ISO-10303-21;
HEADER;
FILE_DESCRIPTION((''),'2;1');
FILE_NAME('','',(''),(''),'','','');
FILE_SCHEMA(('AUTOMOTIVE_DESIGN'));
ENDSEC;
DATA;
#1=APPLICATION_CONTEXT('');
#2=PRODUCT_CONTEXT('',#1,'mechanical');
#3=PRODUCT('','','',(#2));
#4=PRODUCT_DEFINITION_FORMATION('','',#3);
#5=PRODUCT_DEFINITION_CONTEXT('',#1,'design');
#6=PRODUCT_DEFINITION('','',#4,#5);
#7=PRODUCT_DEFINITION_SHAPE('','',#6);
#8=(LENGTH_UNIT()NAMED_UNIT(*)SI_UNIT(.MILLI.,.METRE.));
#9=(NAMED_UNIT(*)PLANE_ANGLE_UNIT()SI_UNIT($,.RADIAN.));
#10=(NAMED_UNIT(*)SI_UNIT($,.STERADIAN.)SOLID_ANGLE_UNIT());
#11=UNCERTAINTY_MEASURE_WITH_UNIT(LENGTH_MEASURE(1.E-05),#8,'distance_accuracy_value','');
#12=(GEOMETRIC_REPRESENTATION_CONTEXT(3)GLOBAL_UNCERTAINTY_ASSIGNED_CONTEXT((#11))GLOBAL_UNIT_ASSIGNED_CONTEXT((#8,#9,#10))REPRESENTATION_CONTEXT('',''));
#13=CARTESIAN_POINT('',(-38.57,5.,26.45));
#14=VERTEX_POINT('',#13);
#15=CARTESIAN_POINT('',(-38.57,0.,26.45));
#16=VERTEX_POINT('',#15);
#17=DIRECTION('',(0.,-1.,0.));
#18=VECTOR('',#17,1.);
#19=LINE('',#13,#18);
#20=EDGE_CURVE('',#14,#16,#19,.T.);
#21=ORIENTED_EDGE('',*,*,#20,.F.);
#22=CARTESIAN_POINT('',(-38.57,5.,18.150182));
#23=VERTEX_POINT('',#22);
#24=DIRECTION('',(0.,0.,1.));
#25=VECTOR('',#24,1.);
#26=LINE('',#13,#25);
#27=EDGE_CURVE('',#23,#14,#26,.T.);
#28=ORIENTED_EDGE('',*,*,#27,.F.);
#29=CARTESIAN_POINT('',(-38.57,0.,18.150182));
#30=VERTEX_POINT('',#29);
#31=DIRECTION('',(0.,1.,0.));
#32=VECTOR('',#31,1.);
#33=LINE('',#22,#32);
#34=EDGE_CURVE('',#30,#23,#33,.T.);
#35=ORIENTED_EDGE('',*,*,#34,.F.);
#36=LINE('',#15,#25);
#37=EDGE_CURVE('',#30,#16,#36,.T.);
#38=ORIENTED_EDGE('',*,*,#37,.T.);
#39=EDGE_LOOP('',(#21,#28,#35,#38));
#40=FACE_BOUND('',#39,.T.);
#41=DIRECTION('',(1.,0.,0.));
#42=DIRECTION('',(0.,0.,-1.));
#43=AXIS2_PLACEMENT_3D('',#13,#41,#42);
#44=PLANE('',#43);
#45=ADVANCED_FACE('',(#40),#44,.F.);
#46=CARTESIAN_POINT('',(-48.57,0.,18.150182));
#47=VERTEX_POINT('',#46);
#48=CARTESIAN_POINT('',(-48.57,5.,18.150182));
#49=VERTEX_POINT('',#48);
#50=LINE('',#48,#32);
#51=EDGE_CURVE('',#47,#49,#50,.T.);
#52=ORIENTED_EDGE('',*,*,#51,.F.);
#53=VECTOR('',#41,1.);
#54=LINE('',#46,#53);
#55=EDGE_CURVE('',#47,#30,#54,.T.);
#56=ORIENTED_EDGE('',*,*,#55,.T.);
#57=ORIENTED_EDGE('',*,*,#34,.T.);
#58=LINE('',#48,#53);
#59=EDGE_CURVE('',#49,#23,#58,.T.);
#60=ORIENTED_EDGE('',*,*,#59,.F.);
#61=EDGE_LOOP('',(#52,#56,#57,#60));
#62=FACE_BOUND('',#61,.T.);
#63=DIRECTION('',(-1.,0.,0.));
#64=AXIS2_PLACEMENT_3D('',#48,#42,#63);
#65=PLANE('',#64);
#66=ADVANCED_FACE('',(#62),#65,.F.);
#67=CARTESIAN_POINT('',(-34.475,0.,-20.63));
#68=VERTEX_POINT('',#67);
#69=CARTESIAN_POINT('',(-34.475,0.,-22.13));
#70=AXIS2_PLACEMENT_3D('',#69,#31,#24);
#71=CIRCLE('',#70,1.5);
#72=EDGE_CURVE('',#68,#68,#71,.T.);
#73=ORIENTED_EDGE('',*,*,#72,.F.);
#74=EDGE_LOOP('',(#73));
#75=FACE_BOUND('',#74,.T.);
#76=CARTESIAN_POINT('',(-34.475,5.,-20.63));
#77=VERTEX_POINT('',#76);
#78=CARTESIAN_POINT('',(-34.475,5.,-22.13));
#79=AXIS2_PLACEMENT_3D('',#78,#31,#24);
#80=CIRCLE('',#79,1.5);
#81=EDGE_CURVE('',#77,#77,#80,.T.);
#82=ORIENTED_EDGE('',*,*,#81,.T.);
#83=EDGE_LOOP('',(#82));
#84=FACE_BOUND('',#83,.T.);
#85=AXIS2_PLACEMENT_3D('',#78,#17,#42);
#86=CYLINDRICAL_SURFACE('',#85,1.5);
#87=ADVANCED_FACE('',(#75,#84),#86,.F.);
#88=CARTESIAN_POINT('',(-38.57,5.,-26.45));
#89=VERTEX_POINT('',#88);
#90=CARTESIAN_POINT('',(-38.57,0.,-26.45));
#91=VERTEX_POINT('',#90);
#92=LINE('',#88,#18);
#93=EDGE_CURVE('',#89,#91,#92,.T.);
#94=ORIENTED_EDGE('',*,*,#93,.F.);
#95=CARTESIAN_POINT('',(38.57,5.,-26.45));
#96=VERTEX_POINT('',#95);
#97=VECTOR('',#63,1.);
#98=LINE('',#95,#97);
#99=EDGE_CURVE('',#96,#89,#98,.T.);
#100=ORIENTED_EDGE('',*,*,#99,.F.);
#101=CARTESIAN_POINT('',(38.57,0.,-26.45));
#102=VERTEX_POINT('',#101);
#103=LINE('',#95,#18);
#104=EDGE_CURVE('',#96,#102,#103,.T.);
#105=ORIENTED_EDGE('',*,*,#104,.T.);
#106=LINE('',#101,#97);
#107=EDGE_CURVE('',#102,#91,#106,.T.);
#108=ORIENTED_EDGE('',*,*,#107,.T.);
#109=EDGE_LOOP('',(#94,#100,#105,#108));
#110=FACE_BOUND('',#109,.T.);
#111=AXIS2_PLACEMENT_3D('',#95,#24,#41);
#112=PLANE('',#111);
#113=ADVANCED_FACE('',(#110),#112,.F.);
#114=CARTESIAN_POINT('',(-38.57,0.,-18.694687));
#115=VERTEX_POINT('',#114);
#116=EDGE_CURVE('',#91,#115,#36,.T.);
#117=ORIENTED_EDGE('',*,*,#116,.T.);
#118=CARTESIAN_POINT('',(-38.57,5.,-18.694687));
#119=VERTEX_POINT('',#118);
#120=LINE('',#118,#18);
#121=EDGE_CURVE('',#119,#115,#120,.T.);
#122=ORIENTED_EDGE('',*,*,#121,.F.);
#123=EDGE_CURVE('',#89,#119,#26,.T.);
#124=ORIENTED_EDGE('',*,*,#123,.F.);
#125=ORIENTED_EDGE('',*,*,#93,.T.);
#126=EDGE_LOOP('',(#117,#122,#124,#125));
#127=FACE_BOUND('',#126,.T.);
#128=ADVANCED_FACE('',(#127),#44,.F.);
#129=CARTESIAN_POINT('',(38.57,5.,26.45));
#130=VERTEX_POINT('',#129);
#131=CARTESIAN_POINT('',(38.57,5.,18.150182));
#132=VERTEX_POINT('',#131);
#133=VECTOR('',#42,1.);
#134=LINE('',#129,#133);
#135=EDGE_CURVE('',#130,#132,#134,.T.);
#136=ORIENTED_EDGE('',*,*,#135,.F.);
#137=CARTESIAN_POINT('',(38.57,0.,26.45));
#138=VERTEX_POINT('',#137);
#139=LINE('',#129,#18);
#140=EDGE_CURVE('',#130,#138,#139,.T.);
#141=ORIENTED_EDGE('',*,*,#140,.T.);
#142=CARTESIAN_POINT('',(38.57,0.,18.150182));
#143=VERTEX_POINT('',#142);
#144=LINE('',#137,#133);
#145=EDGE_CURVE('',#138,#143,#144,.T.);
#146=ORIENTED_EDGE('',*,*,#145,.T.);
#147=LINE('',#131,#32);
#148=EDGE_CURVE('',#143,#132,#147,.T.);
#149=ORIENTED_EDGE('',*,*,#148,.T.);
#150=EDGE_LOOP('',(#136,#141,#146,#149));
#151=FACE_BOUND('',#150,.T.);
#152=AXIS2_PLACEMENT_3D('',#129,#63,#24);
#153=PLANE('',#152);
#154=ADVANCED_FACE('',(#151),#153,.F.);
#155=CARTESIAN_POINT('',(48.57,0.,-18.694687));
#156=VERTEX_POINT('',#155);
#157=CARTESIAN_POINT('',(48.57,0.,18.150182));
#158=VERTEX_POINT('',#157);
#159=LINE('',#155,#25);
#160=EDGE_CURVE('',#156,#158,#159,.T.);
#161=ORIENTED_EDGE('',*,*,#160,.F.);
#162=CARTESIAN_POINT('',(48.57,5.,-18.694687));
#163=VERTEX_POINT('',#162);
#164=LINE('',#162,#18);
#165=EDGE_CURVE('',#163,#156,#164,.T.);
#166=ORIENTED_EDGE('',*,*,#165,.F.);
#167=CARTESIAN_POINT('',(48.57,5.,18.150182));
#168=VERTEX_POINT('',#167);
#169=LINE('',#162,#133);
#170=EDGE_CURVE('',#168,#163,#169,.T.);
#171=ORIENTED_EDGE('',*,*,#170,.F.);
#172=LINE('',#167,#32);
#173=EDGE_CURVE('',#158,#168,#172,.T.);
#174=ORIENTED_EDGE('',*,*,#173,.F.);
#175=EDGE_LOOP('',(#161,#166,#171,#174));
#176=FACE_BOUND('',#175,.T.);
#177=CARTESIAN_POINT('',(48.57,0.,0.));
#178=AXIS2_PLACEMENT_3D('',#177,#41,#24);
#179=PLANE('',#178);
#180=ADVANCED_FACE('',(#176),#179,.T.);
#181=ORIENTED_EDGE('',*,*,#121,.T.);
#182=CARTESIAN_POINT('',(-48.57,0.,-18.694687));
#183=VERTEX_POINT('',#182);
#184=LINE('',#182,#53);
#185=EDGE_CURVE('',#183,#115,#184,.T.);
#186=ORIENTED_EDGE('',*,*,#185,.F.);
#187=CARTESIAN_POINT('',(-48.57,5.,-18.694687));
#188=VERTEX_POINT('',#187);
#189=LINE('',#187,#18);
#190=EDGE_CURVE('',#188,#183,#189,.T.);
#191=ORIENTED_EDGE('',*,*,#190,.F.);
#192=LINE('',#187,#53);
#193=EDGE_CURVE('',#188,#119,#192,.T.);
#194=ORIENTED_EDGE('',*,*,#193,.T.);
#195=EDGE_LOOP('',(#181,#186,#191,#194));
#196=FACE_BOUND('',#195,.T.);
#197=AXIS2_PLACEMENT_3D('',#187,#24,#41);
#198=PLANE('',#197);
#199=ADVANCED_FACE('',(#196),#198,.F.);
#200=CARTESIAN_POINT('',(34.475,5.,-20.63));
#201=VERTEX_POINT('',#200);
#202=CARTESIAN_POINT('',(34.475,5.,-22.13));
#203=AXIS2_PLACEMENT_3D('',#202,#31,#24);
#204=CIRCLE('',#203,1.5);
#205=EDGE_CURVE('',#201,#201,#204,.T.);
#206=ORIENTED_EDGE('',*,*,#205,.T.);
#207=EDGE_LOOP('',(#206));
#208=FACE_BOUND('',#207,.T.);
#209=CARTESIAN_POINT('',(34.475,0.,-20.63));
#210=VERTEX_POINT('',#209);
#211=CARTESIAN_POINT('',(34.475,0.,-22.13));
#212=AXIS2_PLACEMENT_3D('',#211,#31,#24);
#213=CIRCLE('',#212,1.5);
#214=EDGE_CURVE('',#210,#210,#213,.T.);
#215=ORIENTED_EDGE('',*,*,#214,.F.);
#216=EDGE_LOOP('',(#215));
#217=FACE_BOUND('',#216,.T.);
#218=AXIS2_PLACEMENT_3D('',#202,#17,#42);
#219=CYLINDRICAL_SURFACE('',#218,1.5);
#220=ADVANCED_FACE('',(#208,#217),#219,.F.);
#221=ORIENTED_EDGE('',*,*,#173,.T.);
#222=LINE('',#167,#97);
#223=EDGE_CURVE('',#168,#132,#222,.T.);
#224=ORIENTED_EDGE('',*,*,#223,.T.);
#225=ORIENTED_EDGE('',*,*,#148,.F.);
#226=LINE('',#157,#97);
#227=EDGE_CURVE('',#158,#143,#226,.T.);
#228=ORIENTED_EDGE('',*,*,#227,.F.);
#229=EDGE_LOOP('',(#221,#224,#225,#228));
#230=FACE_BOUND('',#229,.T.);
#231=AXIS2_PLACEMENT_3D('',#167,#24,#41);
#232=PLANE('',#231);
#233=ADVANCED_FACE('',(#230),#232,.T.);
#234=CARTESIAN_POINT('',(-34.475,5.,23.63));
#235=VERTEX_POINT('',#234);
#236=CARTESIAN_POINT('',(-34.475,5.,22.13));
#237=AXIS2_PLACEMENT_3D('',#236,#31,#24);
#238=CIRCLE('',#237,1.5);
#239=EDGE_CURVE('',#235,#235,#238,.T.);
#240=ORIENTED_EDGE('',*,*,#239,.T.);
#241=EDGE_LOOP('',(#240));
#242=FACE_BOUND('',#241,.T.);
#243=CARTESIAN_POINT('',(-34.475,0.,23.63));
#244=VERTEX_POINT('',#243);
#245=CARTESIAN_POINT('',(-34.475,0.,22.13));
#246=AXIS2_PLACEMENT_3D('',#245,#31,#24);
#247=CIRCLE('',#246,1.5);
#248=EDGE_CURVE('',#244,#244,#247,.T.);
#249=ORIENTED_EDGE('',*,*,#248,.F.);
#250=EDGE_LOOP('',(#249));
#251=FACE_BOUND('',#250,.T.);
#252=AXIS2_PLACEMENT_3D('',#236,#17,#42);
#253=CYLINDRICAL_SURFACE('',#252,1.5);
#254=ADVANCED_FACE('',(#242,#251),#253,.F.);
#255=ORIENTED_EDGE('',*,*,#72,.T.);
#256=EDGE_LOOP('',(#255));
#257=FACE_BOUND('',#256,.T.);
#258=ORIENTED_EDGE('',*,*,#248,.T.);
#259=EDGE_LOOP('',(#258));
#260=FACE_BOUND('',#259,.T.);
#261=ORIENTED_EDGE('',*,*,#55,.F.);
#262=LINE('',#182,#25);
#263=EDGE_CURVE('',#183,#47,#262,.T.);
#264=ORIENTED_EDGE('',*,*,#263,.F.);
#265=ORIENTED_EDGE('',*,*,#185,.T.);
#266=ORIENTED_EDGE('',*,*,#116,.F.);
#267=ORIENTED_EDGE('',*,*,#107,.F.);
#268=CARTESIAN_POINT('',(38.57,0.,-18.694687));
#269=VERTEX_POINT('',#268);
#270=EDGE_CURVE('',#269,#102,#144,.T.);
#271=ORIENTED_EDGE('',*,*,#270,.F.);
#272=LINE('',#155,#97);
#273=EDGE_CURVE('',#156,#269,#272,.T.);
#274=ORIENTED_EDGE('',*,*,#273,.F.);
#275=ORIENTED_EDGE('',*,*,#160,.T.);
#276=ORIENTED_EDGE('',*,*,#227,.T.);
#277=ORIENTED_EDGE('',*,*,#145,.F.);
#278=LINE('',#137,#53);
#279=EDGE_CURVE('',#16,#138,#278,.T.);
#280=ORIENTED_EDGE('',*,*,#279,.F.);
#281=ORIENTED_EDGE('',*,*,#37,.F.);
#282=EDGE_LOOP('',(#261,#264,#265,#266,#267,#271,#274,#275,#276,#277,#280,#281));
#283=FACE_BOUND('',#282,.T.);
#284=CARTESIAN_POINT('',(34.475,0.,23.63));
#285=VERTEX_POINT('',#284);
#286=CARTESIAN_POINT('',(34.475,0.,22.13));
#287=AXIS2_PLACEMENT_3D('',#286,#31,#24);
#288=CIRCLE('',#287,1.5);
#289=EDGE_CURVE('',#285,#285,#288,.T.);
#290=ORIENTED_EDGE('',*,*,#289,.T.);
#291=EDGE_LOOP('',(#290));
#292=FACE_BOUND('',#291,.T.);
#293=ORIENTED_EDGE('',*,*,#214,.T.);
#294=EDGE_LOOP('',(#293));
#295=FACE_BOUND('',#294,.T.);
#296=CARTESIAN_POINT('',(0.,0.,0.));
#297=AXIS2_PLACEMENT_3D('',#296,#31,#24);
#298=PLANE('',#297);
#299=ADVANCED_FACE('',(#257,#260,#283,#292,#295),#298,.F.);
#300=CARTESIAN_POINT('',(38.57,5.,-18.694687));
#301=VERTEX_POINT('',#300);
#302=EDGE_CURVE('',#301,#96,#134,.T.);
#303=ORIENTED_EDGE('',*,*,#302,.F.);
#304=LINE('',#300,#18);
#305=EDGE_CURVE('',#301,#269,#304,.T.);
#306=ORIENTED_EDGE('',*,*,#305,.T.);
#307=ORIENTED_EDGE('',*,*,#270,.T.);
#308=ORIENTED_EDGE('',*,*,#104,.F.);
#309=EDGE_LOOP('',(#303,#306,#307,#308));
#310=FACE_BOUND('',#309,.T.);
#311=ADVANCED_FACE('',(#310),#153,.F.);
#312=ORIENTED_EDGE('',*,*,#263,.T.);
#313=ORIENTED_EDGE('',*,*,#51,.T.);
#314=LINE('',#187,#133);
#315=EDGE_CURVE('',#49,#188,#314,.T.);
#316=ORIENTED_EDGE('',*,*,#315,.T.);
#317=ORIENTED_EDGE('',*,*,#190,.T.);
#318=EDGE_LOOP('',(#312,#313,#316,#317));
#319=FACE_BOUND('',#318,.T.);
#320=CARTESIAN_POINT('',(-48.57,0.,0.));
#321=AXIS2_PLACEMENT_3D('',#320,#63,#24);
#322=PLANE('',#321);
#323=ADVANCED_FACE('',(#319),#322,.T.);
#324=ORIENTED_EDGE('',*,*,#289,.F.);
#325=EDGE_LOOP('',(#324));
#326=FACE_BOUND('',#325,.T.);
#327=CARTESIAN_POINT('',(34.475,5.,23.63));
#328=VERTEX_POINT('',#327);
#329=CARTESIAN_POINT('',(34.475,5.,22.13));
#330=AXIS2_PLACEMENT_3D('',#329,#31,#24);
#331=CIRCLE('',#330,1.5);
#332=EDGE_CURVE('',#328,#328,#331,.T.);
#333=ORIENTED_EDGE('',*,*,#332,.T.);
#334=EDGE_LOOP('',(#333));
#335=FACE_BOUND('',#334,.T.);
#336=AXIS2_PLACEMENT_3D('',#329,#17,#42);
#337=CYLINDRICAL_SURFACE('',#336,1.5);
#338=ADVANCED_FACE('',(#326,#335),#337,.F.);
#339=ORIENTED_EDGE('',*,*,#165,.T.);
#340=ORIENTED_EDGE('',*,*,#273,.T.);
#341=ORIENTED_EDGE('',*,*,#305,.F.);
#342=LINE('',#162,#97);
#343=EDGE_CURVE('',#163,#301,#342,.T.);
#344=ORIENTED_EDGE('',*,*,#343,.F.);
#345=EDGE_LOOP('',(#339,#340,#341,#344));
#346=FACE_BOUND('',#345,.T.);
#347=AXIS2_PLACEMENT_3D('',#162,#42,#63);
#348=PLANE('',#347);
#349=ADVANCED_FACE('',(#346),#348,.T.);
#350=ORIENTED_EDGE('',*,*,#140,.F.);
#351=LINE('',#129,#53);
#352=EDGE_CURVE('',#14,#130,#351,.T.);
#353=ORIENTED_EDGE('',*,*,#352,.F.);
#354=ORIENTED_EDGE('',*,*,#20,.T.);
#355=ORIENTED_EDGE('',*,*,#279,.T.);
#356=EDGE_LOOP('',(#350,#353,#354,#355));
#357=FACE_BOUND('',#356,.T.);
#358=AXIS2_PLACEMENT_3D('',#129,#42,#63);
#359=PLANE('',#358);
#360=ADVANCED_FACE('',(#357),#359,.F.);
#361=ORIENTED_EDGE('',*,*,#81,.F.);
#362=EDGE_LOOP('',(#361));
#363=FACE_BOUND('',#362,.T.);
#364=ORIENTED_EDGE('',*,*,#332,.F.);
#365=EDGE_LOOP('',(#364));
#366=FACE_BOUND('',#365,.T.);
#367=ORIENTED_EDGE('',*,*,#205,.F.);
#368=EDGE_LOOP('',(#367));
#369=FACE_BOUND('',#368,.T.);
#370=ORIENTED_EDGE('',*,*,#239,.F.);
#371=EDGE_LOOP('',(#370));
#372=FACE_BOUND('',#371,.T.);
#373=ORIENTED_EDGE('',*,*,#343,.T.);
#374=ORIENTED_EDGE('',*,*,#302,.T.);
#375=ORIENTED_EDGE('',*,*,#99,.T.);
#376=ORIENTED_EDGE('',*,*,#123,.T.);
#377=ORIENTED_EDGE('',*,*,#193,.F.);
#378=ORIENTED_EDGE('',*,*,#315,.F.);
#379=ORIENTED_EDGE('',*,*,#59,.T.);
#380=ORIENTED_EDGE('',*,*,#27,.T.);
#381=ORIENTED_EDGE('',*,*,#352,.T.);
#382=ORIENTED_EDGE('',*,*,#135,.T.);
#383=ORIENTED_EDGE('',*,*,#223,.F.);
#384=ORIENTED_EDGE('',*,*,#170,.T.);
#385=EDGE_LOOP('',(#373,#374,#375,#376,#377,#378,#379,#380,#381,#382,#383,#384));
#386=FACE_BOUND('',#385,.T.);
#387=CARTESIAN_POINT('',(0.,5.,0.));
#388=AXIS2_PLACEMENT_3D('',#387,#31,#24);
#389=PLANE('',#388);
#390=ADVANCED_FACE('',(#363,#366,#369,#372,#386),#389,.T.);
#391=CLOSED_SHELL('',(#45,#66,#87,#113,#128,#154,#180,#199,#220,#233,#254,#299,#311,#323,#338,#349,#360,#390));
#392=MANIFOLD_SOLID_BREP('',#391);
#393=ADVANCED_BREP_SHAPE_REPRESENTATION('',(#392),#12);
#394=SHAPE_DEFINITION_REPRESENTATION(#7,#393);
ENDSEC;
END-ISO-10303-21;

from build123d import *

# Parameters (mm, degrees)
SKETCH_1_W      = 77.14
SKETCH_1_H      = 52.9
SKETCH_1_R      = 1.5
EXTRUDE_1_DEPTH = 5
SKETCH_2_W      = 36.844868946
SKETCH_2_H      = 5
EXTRUDE_2_DEPTH = 10


with BuildPart() as part:
    # 草图1 → 凸台-拉伸1 (new body)
    with BuildSketch(Plane(origin=(0, 0, 0), x_dir=(1, 0, 0), z_dir=(0, 1, 0))):
        Rectangle(SKETCH_1_W, SKETCH_1_H)
        with Locations(Location((34.475, -22.13, 0), (0, 0, 270))):
            Circle(SKETCH_1_R, mode=Mode.SUBTRACT)
        with Locations(Location((34.475, 22.13, 0), (0, 0, 270))):
            Circle(SKETCH_1_R, mode=Mode.SUBTRACT)
        with Locations(Location((-34.475, 22.13, 0), (0, 0, 270))):
            Circle(SKETCH_1_R, mode=Mode.SUBTRACT)
        with Locations(Location((-34.475, -22.13, 0), (0, 0, 270))):
            Circle(SKETCH_1_R, mode=Mode.SUBTRACT)
    extrude(amount=EXTRUDE_1_DEPTH)

    # 草图2 → 凸台-拉伸2 (add)
    with BuildSketch(Plane.ZY.offset(38.57)):
        with Locations((-0.272252726, 2.5)):
            Rectangle(SKETCH_2_W, SKETCH_2_H)
    extrude_2 = extrude(amount=EXTRUDE_2_DEPTH)

    # 镜向1: 凸台-拉伸2 across plane
    add(extrude_2.mirror(Plane(origin=(0, 0, 0), x_dir=(0, 0, 1), z_dir=(1, 0, 0))))


solid = part.part
